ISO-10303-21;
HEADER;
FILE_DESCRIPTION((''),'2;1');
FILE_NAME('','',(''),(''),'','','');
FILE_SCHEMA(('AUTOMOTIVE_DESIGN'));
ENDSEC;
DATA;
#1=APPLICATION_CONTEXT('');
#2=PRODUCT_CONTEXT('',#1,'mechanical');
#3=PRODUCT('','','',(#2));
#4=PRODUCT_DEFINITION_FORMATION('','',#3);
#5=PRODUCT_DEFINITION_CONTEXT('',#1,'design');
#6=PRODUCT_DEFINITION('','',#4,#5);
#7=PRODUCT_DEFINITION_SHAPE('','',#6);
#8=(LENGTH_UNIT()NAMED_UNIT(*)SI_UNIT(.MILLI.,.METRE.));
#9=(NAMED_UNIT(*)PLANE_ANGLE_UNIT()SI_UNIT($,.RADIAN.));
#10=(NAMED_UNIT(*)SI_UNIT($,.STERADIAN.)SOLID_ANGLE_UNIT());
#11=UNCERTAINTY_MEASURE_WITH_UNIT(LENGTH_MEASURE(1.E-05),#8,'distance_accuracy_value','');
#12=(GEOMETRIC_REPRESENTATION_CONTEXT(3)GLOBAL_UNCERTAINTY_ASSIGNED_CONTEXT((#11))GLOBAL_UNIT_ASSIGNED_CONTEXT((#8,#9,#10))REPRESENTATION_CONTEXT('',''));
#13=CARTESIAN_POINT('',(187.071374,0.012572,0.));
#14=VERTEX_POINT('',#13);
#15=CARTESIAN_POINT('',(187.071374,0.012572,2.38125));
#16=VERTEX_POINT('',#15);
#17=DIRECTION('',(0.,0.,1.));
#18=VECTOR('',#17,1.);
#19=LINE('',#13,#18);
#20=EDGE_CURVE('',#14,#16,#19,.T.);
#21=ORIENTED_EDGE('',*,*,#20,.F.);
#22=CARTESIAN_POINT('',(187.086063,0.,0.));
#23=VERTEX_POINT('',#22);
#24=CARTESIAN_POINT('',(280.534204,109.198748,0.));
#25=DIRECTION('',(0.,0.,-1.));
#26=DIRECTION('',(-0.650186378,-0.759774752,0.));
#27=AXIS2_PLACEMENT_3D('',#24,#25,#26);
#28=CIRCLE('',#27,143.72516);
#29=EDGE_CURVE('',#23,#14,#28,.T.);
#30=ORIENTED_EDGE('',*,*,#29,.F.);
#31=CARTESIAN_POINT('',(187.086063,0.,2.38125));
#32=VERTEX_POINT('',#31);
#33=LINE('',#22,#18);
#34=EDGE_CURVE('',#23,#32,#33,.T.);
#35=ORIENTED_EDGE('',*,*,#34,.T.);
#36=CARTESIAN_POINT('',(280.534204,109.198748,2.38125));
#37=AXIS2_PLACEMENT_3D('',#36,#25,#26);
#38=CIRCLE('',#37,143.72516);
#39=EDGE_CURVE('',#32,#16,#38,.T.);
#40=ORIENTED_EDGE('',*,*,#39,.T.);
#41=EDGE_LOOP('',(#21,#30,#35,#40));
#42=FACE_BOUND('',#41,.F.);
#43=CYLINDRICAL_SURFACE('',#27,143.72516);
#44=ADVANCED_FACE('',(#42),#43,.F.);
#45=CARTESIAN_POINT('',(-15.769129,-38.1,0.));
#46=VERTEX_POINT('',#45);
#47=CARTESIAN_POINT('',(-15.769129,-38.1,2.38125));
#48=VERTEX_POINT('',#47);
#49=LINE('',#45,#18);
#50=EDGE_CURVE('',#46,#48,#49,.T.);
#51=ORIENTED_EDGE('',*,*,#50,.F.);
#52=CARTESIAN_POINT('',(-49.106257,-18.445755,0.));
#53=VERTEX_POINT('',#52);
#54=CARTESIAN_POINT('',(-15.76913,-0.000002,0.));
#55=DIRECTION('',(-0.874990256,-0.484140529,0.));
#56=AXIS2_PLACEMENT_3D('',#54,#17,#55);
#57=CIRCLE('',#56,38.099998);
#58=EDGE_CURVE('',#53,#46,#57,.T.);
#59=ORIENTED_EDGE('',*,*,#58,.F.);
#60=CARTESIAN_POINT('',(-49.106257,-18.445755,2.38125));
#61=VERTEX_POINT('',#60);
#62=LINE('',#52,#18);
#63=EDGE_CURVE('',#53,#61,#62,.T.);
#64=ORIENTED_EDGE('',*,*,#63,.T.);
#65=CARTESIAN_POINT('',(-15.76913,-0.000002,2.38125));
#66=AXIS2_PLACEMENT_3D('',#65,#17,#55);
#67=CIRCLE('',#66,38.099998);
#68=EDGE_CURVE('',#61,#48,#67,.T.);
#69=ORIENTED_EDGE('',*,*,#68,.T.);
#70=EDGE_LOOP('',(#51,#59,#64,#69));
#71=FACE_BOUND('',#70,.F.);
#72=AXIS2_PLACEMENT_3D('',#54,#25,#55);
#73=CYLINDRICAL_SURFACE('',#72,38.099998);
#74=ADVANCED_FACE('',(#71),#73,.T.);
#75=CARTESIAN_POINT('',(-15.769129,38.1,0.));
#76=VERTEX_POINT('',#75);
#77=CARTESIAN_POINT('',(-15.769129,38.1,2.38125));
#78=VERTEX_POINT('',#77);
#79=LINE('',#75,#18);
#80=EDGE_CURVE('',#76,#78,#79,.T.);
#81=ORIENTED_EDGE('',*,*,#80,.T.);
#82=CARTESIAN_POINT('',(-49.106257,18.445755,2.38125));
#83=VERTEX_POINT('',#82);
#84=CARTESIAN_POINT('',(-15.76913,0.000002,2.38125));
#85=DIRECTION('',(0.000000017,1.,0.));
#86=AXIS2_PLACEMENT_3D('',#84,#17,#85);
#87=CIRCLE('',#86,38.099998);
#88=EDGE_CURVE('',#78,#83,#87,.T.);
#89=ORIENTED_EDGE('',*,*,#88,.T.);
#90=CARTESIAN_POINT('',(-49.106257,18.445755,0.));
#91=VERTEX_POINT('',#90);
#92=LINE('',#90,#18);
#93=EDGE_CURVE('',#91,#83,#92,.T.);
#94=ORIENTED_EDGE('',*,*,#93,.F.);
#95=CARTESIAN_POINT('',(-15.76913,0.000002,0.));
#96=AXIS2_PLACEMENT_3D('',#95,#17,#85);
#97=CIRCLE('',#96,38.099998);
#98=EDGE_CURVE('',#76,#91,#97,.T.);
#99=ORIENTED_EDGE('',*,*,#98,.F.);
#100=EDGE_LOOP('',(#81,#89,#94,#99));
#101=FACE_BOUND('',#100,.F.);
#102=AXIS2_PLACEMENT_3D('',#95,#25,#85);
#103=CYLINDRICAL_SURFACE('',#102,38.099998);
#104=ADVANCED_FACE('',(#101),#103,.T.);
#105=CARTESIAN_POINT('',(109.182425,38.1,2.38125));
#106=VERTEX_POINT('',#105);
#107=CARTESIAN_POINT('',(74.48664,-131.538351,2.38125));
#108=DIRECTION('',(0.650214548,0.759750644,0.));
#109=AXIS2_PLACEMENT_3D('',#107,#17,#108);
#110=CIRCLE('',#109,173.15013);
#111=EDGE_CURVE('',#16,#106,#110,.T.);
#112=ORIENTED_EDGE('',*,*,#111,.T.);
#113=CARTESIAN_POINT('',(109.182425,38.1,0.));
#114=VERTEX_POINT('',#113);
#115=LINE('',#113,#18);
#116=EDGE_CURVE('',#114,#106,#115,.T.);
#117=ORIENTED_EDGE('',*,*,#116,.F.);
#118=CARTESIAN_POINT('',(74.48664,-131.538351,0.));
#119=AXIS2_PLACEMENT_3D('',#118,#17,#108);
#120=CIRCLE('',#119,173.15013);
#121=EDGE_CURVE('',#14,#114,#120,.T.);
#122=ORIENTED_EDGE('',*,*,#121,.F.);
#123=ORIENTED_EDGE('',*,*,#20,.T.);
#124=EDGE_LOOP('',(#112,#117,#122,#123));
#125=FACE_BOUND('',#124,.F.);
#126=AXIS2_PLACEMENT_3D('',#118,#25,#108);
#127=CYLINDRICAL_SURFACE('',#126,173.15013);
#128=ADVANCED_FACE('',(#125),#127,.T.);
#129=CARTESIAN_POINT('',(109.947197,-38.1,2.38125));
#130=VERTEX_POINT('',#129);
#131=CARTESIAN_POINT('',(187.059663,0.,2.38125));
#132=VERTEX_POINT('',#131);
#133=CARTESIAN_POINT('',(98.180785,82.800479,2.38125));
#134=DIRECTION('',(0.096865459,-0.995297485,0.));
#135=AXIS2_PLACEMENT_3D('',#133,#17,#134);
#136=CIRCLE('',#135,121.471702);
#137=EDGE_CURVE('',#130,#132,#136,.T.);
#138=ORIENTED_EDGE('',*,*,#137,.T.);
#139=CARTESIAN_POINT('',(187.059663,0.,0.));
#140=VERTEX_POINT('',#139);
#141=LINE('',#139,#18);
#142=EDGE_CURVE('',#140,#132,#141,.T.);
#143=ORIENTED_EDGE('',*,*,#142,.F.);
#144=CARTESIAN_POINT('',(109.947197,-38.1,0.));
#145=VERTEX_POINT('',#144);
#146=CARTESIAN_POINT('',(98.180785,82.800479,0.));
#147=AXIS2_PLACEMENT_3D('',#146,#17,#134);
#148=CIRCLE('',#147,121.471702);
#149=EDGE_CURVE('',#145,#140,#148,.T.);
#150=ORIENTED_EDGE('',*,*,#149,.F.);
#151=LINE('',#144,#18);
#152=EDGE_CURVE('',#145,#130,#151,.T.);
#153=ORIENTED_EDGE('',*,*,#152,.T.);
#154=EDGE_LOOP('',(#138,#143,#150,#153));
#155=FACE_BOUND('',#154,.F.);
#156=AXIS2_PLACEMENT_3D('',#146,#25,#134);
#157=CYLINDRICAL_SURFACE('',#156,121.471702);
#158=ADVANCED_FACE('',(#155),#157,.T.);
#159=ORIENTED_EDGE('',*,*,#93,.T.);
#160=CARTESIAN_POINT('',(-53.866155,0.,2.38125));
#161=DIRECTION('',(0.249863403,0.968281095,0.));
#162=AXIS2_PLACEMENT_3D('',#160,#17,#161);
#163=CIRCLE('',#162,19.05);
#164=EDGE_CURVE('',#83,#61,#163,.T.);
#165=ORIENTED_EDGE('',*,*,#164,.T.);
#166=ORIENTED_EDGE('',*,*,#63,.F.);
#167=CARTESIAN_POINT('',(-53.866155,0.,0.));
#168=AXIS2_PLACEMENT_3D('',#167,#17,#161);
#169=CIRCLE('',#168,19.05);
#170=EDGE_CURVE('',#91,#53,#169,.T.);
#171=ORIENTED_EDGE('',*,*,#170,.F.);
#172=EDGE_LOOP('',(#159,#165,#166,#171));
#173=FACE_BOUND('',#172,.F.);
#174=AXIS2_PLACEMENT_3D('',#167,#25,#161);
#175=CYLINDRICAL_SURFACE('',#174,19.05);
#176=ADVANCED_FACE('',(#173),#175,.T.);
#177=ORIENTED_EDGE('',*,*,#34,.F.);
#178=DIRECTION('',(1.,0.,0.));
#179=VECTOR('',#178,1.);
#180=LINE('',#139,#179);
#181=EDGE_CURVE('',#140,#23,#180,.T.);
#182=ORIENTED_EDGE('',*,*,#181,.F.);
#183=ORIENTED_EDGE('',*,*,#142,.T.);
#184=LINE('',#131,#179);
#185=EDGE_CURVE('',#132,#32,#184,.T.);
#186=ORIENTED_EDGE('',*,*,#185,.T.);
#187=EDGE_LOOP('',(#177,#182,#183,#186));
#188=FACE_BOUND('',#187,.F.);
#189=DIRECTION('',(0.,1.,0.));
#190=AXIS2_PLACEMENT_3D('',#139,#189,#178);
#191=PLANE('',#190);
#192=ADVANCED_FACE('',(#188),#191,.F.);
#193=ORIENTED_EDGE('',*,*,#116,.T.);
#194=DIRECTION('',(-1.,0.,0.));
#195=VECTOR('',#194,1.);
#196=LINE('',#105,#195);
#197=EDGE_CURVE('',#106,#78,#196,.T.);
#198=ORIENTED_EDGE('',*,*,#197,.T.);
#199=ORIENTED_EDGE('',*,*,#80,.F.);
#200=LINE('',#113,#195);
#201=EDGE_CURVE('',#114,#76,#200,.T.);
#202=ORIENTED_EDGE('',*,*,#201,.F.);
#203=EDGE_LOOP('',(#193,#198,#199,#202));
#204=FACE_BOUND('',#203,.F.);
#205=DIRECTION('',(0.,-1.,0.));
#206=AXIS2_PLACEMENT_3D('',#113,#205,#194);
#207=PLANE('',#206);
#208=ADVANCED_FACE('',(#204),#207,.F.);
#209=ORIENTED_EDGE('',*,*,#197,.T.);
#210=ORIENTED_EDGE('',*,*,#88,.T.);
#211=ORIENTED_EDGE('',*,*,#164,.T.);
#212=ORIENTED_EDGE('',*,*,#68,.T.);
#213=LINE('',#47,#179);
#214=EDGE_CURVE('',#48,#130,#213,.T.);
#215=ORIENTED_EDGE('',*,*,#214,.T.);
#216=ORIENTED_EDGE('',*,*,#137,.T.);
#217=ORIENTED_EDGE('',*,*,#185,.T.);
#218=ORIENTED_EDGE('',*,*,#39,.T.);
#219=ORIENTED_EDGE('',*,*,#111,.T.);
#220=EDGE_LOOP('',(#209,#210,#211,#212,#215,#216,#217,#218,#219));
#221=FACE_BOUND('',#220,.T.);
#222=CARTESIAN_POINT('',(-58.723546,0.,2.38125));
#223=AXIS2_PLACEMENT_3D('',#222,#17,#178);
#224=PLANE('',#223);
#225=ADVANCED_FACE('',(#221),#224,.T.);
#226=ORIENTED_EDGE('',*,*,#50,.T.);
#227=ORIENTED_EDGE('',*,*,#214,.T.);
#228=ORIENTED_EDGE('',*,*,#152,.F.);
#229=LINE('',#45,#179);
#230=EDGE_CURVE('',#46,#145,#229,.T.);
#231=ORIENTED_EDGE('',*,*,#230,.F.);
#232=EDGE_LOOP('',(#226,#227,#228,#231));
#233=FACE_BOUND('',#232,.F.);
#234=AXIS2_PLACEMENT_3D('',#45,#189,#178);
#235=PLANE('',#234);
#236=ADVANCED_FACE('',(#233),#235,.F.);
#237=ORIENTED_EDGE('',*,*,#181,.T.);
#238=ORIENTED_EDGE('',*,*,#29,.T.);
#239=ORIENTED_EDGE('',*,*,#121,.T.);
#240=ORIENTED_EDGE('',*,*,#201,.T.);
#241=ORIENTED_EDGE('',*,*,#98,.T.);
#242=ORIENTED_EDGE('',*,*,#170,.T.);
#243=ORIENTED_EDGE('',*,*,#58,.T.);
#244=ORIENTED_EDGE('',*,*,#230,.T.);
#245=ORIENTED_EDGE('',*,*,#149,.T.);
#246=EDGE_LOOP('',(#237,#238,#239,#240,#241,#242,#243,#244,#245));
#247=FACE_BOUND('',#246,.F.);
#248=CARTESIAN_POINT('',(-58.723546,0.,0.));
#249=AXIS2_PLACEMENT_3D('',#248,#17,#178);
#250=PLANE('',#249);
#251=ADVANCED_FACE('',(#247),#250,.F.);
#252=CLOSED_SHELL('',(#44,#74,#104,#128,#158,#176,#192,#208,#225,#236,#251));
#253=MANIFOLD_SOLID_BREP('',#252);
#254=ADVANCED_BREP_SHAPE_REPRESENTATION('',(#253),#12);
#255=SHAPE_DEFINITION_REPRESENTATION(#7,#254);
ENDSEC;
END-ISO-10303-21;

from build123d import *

# Parameters (mm, degrees)
F1_DEPTH = 2.38125


with BuildPart() as f1:
    # F0 (on Top) → F1 (new body)
    with BuildSketch(Plane.XY):
        with BuildLine():
            ThreePointArc((-49.106257, -18.445755), (-53.912843, 0), (-49.106257, 18.445755))
            ThreePointArc((-49.106257, 18.445755), (-72.916155, 0), (-49.106257, -18.445755))
        make_face()
        with BuildLine():
            ThreePointArc((-15.769129, 38.1), (-35.118893, 32.820674), (-49.106257, 18.445755))
            ThreePointArc((-49.106257, 18.445755), (-53.912843, 0), (-49.106257, -18.445755))
            ThreePointArc((-49.106257, -18.445755), (-35.118893, -32.820674), (-15.769129, -38.1))
            Line((-15.769129, -38.1), (109.947197, -38.1))
            ThreePointArc((109.947197, -38.1), (151.988508, -26.103622), (187.059663, 0))
            ThreePointArc((187.059663, 0), (187.065519, 0.006286), (187.071374, 0.012572))
            ThreePointArc((187.071374, 0.012572), (150.549449, 24.010409), (109.182425, 38.1))
            Line((109.182425, 38.1), (-14.767172, 38.1))
            ThreePointArc((-14.767172, 38.1), (-14.764537, 38.093342), (-14.761901, 38.086684))
            ThreePointArc((-14.761901, 38.086684), (-15.265471, 38.096671), (-15.769129, 38.1))
        make_face()
        with BuildLine():
            Line((-14.767172, 38.1), (-15.769129, 38.1))
            ThreePointArc((-15.769129, 38.1), (-15.265471, 38.096671), (-14.761901, 38.086684))
            ThreePointArc((-14.761901, 38.086684), (-14.764537, 38.093342), (-14.767172, 38.1))
        make_face()
        with BuildLine():
            ThreePointArc((187.071374, 0.012572), (187.065519, 0.006286), (187.059663, 0))
            Line((187.059663, 0), (187.086063, 0))
            ThreePointArc((187.086063, 0), (187.078718, 0.006286), (187.071374, 0.012572))
        make_face()
    extrude(amount=F1_DEPTH)


solid = f1.part
